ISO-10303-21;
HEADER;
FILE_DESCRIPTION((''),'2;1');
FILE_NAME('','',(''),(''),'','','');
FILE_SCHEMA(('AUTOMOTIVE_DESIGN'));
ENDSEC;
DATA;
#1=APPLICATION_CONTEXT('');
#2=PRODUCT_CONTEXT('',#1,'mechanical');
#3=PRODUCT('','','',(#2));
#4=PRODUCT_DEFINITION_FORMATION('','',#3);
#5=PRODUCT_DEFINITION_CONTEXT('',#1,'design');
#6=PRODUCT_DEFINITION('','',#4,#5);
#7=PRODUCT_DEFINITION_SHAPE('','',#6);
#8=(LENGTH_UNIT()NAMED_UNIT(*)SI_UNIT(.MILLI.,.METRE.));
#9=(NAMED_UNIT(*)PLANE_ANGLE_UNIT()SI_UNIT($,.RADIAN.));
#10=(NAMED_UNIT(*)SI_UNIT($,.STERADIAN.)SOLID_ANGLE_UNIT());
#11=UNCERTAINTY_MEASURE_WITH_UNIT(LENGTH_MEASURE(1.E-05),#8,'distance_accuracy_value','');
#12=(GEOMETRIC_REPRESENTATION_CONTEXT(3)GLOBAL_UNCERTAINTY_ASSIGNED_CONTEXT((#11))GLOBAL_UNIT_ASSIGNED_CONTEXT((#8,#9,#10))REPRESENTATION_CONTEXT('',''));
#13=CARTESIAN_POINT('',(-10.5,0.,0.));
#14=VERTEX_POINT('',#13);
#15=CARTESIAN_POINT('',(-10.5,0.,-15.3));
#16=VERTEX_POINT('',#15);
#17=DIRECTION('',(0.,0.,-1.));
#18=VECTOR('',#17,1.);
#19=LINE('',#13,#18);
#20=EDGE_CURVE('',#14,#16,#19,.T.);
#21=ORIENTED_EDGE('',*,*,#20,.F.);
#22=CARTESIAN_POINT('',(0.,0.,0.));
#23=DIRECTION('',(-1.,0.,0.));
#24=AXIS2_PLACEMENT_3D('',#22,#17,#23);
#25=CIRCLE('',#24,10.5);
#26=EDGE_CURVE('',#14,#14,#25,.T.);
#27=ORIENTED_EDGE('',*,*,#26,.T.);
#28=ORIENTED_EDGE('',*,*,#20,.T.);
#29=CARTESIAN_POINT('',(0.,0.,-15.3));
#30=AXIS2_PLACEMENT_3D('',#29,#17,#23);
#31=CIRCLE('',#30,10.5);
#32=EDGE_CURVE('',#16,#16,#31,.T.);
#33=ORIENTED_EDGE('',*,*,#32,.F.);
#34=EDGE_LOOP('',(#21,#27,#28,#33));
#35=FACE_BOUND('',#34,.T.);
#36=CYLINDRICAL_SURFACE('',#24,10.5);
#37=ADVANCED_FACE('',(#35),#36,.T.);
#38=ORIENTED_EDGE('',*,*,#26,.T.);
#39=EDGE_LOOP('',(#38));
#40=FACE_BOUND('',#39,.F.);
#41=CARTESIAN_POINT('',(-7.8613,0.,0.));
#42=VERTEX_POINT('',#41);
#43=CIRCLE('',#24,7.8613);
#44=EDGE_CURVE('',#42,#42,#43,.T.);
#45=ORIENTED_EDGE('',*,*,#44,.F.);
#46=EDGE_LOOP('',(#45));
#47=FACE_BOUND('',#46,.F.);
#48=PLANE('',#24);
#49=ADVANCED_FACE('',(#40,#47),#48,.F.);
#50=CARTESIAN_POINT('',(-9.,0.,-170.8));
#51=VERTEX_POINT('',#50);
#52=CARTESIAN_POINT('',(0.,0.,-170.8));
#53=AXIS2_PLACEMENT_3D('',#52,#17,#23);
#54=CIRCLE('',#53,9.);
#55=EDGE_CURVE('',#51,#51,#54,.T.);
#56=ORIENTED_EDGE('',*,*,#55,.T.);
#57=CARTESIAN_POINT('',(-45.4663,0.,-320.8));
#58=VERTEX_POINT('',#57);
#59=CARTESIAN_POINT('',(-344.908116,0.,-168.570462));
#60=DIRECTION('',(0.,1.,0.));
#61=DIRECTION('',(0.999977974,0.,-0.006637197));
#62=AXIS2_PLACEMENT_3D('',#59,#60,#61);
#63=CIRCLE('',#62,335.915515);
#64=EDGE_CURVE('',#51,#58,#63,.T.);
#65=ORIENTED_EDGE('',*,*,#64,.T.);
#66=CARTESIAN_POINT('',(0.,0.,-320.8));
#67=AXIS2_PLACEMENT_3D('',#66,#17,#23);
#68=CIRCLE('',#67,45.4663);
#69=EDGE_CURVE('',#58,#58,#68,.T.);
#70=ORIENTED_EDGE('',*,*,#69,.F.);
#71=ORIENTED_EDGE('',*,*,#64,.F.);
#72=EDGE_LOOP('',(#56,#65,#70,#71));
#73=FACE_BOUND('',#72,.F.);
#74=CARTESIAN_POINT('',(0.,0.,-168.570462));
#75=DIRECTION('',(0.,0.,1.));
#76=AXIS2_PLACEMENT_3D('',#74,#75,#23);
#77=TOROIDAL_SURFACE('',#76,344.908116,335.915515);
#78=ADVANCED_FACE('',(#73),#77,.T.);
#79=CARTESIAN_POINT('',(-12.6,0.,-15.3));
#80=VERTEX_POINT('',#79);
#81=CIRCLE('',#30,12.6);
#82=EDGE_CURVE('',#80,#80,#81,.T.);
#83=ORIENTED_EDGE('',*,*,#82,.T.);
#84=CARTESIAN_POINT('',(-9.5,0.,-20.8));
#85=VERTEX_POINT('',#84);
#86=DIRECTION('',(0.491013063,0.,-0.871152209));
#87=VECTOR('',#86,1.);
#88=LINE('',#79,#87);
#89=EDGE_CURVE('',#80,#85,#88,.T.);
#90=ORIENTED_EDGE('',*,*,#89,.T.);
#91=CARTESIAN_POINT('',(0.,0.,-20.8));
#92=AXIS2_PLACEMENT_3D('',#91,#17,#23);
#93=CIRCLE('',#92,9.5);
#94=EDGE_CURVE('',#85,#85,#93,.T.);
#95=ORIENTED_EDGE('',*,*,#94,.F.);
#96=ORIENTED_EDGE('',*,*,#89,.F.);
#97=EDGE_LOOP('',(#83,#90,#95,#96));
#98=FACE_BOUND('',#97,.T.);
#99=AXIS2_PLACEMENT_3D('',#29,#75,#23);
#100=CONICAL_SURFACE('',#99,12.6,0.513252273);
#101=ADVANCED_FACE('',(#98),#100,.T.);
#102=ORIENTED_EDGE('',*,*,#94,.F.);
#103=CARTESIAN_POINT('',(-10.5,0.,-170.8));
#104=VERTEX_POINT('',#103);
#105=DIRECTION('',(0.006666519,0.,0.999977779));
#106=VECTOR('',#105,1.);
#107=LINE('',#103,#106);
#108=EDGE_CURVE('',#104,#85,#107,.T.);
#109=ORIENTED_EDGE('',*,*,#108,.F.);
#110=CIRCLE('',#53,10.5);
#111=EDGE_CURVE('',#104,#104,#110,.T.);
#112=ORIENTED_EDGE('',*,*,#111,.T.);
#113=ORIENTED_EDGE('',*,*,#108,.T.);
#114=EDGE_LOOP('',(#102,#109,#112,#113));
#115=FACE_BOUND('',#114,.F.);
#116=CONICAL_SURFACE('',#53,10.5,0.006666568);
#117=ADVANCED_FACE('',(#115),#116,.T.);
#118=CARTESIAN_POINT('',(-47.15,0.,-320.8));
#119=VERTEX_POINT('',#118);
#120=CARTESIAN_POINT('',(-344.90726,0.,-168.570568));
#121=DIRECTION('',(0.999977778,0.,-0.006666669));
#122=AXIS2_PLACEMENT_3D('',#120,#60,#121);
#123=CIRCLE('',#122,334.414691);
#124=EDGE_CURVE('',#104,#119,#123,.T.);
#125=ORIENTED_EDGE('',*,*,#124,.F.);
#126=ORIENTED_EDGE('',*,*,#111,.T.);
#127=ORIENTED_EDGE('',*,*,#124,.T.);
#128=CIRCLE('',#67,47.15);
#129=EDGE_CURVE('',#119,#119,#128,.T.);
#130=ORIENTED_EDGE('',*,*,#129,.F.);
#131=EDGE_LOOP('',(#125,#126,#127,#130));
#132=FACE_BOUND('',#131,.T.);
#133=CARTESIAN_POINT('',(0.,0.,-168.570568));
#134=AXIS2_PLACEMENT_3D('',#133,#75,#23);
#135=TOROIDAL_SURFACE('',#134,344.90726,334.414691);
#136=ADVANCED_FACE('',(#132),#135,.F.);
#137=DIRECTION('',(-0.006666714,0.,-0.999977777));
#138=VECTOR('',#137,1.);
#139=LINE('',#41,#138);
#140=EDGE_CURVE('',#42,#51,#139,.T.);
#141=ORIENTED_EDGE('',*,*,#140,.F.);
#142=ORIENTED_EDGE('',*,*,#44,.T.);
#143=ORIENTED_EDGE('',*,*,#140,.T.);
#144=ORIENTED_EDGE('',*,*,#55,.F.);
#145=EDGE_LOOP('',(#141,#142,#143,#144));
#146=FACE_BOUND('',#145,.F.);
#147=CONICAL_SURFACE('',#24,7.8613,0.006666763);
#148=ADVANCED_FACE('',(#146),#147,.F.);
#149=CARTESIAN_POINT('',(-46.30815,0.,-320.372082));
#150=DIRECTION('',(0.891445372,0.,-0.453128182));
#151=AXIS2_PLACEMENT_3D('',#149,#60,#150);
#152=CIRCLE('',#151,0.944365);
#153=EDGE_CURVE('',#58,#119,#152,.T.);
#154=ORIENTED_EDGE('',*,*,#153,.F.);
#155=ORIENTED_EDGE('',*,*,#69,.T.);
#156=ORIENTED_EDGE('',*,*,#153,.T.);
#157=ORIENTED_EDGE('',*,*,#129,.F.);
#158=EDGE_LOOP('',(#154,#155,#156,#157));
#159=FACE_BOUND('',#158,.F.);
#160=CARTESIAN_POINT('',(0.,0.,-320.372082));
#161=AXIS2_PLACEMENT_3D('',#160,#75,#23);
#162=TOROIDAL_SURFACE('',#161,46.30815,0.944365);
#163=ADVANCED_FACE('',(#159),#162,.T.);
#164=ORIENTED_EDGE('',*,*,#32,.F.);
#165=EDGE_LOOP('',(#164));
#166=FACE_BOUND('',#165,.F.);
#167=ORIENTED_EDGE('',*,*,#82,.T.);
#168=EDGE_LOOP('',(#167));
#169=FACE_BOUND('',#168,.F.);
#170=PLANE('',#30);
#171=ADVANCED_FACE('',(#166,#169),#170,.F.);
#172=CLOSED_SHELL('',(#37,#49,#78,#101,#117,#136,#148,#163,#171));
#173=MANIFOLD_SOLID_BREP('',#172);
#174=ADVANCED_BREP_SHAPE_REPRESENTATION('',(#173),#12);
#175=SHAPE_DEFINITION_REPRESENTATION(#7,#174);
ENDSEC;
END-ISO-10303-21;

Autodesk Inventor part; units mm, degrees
ref_plane "YZ Plane" through (0, 0, 0) normal (1, 0, 0) x (0, 1, 0)
ref_plane "XZ Plane" through (0, 0, 0) normal (0, 1, 0) x (-1, 0, 0)
ref_plane "XY Plane" through (0, 0, 0) normal (0, 0, 1) x (1, 0, 0)
sketch "Sketch1" plane through (0, 0, 0) normal (0, 1, 0) x (-1, 0, 0)
  line L0 (0, 0) -> (0, -320.8) construction
  line L1 (0, -320.8) -> (47.15, -320.8) construction
  line L2 (0, -170.8) -> (10.5, -170.8) construction
  line L3 (0, -20.8) -> (9.5, -20.8) construction
  line L4 (0, -15.3) -> (12.6, -15.3) construction
  line L5 (0, 0) -> (10.5, 0) construction
  line L6 (10.5, 0) -> (10.5, -15.3)
  line L7 (12.6, -15.3) -> (9.5, -20.8)
  line L8 (12.6, -15.3) -> (10.5, -15.3)
  line L9 (10.5, -170.8) -> (9.5, -20.8)
  arc A0 (10.5, -170.8) -> (47.15, -320.8) centre (344.907, -168.5706) ccw
  line L10 (7.8613, 0) -> (9, -170.8)
  arc A1 (9, -170.8) -> (45.4663, -320.8) centre (344.907, -168.5706) ccw
  line L11 (10.5, 0) -> (7.8613, 0)
  arc A2 (45.4663, -320.8) -> (47.15, -320.8) centre (46.3082, -320.372) ccw
  dimension "d0" = 47.15
  dimension "d1" = 10.5
  dimension "d2" = 9.5
  dimension "d3" = 12.6
  dimension "d4" = 10.5
  dimension "d5" = 150
  dimension "d6" = 150
  dimension "d7" = 5.5
  dimension "d8" = 15.3
  dimension "d9" = 1.5
revolve "Revolution1" add sketch "Sketch1" angle 360 about axis through (0, 0, 0) along (0, 0, -1)
thread "Thread1" size "M22x3" class "6g" standard "ANSI Metric M Profile" full length
equation "\"d0\" = Flare_Diameter"
equation "\"d1\" = Transition_Diameter"
equation "\"d2\" = Tail_Diameter"
equation "\"d3\" = Mount_Flange_Diameter"
equation "\"d4\" = Mount_Diameter"
equation "\"d5\" = Flare_Length"
equation "\"d6\" = Transition_Length"
equation "\"d7\" = Mount_Flange_Length"
equation "\"d8\" = Mount_Length"
equation "\"d9\" = Bell_Thickness"
equation "\"Bell_Thickness\" = 1.5"
equation "\"Flare_Length\" = 150"
equation "\"Transition_Length\" = 150"
equation "\"Transition_Diameter\" = 10.5"
equation "\"Flare_Diameter\" = 47.15"
equation "\"Mount_Length\" = 15.3"
equation "\"Mount_Diameter\" = 10.5"
equation "\"Mount_Flange_Length\" = 5.5"
equation "\"Mount_Flange_Diameter\" = 12.6"
equation "\"Tail_Diameter\" = 9.5"
properties part number "Horn_A" material "Steel, Cast"
